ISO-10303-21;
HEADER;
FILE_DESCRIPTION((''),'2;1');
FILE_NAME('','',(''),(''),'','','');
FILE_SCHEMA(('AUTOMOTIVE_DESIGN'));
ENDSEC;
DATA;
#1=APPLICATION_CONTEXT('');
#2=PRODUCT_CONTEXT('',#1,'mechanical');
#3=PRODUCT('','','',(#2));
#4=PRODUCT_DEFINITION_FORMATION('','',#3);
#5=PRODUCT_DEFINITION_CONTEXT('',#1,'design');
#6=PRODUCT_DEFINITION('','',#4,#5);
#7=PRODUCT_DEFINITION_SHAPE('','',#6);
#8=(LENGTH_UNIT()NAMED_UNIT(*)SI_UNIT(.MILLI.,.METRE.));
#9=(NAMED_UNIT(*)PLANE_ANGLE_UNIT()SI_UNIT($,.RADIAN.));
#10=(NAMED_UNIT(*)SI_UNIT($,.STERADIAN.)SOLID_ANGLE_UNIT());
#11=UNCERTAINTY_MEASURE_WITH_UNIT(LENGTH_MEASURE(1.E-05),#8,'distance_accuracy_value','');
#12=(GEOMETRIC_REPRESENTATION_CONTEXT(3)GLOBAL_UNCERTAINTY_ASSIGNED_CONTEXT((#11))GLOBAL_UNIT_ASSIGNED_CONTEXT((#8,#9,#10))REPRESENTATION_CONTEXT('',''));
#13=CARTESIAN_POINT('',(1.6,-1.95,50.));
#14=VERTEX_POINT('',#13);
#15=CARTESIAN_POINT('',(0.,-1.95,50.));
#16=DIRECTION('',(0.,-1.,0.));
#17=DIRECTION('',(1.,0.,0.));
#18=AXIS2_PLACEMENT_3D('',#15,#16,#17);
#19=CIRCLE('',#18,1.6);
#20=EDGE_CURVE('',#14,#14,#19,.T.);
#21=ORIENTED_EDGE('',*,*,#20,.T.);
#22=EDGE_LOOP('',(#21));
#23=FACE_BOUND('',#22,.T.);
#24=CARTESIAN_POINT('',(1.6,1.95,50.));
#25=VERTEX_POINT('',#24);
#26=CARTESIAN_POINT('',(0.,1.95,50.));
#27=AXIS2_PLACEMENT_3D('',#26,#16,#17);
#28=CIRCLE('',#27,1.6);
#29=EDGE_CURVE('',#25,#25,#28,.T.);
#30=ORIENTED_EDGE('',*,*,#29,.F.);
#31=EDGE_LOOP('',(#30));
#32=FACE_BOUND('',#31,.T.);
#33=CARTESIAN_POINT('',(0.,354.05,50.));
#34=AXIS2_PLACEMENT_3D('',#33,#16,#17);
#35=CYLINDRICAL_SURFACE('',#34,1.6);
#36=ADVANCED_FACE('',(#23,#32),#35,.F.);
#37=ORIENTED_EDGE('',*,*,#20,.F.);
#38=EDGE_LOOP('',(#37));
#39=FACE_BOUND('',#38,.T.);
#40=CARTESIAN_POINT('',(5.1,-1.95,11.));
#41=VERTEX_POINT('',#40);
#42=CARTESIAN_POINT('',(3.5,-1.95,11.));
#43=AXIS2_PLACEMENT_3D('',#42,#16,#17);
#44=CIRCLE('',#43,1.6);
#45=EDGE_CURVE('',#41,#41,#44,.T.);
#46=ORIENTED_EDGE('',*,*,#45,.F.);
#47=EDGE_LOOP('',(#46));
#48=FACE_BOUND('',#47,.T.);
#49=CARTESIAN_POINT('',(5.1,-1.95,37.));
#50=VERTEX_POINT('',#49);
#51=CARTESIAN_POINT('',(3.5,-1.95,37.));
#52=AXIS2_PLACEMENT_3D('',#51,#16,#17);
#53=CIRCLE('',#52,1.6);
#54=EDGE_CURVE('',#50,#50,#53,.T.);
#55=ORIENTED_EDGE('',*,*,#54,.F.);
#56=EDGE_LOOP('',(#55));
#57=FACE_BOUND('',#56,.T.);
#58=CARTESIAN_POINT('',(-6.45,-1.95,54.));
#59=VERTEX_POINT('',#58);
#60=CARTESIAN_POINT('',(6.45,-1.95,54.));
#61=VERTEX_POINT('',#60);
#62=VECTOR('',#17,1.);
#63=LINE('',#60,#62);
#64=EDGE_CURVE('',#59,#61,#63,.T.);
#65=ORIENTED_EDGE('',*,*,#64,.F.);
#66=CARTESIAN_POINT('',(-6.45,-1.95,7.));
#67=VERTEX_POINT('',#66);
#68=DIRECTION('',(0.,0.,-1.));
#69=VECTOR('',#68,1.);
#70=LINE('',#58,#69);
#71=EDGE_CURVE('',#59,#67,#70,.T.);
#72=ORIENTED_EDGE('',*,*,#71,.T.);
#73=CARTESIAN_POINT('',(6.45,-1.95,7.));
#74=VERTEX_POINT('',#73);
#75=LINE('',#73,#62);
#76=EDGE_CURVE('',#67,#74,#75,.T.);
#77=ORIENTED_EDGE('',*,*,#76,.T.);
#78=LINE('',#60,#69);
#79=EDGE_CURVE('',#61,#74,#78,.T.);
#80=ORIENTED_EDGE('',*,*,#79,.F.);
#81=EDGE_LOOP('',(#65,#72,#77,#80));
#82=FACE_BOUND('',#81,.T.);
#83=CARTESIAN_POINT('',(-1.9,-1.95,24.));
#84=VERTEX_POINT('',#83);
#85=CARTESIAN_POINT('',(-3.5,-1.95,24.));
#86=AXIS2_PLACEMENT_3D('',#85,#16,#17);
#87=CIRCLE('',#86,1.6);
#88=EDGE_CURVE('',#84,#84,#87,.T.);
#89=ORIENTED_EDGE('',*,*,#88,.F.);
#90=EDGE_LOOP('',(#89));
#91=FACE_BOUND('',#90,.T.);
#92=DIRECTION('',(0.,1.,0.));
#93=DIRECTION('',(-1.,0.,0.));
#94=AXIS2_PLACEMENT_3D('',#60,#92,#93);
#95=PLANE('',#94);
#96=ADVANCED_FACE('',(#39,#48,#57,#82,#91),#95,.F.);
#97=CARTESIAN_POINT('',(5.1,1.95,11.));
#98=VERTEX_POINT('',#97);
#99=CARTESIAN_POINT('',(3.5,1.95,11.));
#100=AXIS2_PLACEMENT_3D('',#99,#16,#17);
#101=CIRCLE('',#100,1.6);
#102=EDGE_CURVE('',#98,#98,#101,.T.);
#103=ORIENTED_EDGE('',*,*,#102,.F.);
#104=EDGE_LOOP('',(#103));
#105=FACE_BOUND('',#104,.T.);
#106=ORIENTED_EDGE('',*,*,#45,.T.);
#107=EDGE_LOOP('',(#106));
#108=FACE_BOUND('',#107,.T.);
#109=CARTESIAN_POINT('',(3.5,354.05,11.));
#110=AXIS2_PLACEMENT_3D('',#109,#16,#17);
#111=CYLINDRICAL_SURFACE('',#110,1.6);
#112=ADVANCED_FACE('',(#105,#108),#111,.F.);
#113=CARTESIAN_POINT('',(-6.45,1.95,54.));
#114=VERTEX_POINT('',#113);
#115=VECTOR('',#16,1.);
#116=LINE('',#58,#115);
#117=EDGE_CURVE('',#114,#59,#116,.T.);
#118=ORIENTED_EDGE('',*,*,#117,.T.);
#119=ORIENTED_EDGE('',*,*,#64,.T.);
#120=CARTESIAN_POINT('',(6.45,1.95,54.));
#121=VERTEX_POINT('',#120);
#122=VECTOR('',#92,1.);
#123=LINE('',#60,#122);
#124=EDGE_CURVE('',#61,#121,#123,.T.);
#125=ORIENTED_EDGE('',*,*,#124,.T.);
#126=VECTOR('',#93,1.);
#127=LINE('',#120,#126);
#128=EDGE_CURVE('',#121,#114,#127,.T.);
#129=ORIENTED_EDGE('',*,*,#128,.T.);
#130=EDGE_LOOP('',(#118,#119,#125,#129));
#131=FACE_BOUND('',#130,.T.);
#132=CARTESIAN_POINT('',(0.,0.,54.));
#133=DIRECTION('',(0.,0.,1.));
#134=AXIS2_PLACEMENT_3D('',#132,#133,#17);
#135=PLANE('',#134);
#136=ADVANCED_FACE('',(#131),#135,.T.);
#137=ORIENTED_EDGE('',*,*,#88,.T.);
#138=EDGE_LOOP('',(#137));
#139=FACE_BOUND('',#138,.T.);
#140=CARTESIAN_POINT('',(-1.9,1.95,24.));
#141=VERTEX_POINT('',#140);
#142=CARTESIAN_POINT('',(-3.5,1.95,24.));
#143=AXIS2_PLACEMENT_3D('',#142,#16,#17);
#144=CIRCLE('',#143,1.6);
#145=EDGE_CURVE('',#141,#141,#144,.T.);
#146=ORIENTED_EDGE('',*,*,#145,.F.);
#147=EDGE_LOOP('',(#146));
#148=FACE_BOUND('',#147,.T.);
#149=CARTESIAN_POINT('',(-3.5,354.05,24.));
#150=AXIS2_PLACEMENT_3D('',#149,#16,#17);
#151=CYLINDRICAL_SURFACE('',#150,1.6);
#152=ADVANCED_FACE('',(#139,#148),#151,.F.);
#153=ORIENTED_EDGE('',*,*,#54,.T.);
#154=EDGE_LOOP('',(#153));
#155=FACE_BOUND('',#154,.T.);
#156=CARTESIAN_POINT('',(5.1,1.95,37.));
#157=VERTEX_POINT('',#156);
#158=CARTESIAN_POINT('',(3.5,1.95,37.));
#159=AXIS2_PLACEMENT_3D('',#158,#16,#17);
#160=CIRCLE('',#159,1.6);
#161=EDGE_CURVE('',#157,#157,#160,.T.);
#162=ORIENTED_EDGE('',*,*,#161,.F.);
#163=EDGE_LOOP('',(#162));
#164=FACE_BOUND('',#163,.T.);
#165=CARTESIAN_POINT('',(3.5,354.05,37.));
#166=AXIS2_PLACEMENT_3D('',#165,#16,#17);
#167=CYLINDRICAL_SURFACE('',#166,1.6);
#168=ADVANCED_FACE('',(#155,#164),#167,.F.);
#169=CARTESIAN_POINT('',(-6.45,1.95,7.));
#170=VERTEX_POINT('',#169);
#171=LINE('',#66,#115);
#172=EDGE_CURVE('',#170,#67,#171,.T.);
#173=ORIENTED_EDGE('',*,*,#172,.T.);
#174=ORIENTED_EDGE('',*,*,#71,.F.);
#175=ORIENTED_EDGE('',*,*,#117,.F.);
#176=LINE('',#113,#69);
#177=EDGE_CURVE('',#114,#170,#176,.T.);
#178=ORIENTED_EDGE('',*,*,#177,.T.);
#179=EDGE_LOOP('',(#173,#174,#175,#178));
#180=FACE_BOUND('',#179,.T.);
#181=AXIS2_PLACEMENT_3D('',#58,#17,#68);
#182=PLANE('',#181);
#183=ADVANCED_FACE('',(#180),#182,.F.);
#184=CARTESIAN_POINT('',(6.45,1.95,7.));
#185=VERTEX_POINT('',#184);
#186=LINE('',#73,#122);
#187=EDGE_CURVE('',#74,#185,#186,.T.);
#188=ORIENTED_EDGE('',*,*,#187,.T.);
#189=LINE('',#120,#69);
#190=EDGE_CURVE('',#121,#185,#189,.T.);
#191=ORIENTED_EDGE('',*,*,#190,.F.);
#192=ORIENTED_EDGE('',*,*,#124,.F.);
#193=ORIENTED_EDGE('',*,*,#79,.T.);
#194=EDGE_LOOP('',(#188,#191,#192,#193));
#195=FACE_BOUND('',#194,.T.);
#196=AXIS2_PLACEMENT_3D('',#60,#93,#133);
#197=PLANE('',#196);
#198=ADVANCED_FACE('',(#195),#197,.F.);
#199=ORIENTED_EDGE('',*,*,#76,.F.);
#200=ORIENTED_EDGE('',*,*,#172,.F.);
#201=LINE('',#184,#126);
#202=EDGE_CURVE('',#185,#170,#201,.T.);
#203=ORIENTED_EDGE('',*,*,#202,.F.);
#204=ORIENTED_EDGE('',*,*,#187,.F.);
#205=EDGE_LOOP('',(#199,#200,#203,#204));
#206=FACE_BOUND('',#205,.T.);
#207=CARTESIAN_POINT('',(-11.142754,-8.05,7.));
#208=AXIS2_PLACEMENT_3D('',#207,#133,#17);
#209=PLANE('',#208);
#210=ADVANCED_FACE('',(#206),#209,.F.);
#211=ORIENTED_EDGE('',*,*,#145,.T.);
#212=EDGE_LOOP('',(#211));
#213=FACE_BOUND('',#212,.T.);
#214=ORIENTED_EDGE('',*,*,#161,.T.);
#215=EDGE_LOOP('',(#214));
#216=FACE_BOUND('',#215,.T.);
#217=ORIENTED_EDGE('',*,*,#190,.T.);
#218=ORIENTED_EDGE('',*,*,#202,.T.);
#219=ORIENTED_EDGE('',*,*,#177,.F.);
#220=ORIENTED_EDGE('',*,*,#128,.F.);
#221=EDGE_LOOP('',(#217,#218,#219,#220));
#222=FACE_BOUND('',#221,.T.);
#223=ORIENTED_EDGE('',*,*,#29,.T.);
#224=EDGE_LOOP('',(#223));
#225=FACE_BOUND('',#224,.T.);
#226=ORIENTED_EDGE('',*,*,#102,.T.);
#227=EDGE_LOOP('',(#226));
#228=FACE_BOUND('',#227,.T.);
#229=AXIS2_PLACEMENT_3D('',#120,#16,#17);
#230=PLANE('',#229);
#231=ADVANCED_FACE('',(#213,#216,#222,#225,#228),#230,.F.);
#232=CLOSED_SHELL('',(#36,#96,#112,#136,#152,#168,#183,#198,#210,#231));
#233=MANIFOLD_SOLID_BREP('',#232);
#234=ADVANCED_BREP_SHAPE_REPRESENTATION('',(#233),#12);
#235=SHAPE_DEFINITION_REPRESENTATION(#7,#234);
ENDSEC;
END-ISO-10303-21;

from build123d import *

# Parameters (mm, degrees)
SKETCH_1_W          = 7.5
SKETCH_1_H          = 6
EXTRUDE_1_DEPTH     = 2
SKETCH_2_W          = 12.9
SKETCH_2_H          = 3.9
EXTRUDE_2_DEPTH     = 52
SKETCH_3_R          = 1.6
CUT_EXTRUDE_1_DEPTH = 356
SKETCH_4_W          = 7.5
SKETCH_4_H          = 1.05
CUT_EXTRUDE_2_DEPTH = 10
SKETCH_5_W          = 22.28550744
SKETCH_5_H          = 23.147494016
CUT_EXTRUDE_3_DEPTH = 10


with BuildPart() as part:
    # 草图1 → 凸台-拉伸1 (new body)
    with BuildSketch(Plane.XY):
        with Locations((3.75, 0)):
            Rectangle(SKETCH_1_W, SKETCH_1_H)
    extrude(amount=EXTRUDE_1_DEPTH)

    # 草图2 → 凸台-拉伸2 (add)
    with BuildSketch(Plane.XY.offset(2)):
        Rectangle(SKETCH_2_W, SKETCH_2_H)
    extrude(amount=EXTRUDE_2_DEPTH)

    # 草图3 → 切除-拉伸1 (cut)
    with BuildSketch(Plane.XZ.offset(1.95)):
        with Locations((3.5, 37)):
            Circle(SKETCH_3_R)
        with Locations((3.5, 11)):
            Circle(SKETCH_3_R)
        with Locations((-3.5, 24)):
            Circle(SKETCH_3_R)
        with Locations((0, 50)):
            Circle(SKETCH_3_R)
    extrude(amount=-CUT_EXTRUDE_1_DEPTH, mode=Mode.SUBTRACT)

    # 草图4 → 切除-拉伸2 (cut)
    with BuildSketch(Plane.XY.offset(2)):
        with Locations((3.75, 2.475)):
            Rectangle(SKETCH_4_W, SKETCH_4_H)
    extrude(amount=-CUT_EXTRUDE_2_DEPTH, mode=Mode.SUBTRACT)

    # 草图5 → 切除-拉伸3 (cut)
    with BuildSketch(Plane(origin=(0, 1.95, 0), x_dir=(1, 0, 0), z_dir=(0, 1, 0))):
        with Locations((0, 4.573747008)):
            Rectangle(SKETCH_5_W, SKETCH_5_H)
    extrude(amount=-CUT_EXTRUDE_3_DEPTH, mode=Mode.SUBTRACT)


solid = part.part
